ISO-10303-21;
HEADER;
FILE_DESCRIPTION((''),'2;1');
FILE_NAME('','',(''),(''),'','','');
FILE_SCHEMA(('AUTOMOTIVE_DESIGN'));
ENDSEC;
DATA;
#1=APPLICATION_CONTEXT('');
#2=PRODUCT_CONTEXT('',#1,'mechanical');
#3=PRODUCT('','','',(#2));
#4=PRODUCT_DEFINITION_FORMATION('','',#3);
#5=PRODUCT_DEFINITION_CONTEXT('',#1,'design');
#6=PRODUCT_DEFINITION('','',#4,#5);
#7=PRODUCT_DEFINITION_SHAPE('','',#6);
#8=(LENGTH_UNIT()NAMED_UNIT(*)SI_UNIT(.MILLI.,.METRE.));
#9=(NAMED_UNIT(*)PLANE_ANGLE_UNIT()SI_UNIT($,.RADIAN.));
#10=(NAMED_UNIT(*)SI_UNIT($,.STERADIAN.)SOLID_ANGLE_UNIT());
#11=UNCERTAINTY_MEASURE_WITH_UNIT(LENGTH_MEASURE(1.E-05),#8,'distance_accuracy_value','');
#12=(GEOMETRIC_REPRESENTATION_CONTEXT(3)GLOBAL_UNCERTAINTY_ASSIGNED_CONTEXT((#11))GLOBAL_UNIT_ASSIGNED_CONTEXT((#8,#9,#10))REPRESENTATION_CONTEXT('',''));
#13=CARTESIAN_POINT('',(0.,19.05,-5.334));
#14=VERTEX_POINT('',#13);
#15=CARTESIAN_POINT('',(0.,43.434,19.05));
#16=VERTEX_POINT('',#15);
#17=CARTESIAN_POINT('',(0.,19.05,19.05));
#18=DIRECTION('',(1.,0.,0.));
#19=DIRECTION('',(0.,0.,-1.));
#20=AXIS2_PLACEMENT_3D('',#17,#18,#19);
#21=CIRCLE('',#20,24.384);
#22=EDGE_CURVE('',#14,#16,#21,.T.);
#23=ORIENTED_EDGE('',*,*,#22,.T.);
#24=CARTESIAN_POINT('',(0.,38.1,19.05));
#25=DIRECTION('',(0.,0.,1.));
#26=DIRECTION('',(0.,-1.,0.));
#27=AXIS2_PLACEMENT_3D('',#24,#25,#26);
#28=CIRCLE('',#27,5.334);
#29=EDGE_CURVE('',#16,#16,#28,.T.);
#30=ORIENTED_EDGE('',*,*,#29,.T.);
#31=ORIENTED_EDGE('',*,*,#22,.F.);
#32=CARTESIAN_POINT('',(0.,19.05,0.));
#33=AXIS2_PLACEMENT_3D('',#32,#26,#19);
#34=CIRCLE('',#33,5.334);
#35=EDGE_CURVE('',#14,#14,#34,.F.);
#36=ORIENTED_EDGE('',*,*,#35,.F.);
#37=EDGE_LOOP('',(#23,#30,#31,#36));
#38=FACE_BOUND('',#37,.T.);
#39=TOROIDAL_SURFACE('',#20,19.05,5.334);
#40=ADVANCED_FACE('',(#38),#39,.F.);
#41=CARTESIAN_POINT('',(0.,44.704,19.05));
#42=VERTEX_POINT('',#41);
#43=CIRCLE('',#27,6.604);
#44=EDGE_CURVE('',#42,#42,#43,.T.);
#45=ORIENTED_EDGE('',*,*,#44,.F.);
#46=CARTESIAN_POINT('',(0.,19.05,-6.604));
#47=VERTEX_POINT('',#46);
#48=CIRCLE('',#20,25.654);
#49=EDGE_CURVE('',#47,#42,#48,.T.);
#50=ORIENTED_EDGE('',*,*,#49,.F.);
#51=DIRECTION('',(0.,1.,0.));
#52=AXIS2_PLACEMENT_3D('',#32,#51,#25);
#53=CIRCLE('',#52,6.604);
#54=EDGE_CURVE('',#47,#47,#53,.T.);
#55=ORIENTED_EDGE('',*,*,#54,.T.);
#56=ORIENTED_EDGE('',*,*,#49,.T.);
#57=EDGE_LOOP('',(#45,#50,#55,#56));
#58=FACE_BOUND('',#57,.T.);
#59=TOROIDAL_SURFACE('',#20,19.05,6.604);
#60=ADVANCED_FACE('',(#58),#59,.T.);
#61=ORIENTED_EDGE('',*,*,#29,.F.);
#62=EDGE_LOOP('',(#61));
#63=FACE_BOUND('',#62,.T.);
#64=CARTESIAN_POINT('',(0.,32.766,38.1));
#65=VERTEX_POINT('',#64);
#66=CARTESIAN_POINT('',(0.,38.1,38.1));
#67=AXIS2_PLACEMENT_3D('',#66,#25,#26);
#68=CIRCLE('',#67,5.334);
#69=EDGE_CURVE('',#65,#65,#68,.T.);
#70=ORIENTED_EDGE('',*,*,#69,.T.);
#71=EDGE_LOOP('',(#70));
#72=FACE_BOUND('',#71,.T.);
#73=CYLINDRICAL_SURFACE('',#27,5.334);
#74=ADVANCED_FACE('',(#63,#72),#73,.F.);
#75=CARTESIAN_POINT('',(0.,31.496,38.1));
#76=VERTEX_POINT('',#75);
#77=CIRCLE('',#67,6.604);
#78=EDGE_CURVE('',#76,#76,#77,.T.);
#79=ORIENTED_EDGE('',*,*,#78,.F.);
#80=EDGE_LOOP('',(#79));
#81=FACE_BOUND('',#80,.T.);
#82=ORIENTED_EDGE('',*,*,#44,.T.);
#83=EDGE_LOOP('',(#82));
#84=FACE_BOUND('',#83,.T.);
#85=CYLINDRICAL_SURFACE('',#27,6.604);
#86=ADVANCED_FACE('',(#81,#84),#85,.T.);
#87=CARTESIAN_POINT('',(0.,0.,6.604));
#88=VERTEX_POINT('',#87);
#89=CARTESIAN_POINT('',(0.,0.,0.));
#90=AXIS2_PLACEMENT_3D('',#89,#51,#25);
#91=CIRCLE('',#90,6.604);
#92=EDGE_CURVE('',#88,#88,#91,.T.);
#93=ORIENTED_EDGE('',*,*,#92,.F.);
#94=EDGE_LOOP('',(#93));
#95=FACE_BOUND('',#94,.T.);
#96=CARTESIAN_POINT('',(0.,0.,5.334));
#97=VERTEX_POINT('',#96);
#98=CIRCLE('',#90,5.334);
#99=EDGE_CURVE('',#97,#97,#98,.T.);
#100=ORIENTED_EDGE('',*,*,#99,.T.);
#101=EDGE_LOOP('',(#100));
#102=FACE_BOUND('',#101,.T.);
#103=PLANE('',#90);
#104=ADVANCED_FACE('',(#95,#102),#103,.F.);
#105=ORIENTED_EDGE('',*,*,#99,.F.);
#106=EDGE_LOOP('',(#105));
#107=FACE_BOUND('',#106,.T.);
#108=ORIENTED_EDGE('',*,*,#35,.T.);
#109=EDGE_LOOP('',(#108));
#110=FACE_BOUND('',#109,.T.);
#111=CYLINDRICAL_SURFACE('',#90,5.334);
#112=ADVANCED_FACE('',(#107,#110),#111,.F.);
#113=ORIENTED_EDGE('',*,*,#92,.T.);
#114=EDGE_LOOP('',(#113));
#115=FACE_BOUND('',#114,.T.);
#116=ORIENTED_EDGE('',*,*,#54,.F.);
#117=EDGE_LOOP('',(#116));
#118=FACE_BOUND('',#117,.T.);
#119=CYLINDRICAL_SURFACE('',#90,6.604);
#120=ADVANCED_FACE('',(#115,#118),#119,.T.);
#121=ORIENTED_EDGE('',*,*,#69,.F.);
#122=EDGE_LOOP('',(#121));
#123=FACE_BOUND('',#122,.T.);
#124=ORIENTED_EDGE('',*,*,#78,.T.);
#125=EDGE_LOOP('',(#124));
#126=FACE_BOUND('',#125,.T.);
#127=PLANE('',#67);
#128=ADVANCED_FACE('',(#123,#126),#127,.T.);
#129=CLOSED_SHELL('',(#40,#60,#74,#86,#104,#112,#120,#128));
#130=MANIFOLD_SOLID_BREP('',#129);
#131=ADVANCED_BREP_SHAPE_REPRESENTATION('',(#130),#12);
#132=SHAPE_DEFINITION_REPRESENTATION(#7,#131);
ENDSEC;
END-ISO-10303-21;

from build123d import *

# Parameters (mm, degrees)
SKETCH2_R   = 6.604
SKETCH2_R_2 = 5.334


with BuildPart() as part:
    # Sweep-Thin1: sweep along a path in Sketch1
    with BuildLine(Plane(origin=(0, 0, 0), x_dir=(0, 0, -1), z_dir=(1, 0, 0))) as sweep_thin1_path:
        Line((0, 0), (0, 19.05))
        ThreePointArc((0, 19.05), (-5.579615818, 32.520384182), (-19.05, 38.1))
        Line((-19.05, 38.1), (-38.1, 38.1))
    # Sketch2 → Sweep-Thin1 (sweep)
    with BuildSketch(Plane(origin=(0, 0, 0), x_dir=(1, 0, 0), z_dir=(0, 1, 0))):
        Circle(SKETCH2_R)
        Circle(SKETCH2_R_2, mode=Mode.SUBTRACT)
    sweep(path=sweep_thin1_path.line)


solid = part.part
